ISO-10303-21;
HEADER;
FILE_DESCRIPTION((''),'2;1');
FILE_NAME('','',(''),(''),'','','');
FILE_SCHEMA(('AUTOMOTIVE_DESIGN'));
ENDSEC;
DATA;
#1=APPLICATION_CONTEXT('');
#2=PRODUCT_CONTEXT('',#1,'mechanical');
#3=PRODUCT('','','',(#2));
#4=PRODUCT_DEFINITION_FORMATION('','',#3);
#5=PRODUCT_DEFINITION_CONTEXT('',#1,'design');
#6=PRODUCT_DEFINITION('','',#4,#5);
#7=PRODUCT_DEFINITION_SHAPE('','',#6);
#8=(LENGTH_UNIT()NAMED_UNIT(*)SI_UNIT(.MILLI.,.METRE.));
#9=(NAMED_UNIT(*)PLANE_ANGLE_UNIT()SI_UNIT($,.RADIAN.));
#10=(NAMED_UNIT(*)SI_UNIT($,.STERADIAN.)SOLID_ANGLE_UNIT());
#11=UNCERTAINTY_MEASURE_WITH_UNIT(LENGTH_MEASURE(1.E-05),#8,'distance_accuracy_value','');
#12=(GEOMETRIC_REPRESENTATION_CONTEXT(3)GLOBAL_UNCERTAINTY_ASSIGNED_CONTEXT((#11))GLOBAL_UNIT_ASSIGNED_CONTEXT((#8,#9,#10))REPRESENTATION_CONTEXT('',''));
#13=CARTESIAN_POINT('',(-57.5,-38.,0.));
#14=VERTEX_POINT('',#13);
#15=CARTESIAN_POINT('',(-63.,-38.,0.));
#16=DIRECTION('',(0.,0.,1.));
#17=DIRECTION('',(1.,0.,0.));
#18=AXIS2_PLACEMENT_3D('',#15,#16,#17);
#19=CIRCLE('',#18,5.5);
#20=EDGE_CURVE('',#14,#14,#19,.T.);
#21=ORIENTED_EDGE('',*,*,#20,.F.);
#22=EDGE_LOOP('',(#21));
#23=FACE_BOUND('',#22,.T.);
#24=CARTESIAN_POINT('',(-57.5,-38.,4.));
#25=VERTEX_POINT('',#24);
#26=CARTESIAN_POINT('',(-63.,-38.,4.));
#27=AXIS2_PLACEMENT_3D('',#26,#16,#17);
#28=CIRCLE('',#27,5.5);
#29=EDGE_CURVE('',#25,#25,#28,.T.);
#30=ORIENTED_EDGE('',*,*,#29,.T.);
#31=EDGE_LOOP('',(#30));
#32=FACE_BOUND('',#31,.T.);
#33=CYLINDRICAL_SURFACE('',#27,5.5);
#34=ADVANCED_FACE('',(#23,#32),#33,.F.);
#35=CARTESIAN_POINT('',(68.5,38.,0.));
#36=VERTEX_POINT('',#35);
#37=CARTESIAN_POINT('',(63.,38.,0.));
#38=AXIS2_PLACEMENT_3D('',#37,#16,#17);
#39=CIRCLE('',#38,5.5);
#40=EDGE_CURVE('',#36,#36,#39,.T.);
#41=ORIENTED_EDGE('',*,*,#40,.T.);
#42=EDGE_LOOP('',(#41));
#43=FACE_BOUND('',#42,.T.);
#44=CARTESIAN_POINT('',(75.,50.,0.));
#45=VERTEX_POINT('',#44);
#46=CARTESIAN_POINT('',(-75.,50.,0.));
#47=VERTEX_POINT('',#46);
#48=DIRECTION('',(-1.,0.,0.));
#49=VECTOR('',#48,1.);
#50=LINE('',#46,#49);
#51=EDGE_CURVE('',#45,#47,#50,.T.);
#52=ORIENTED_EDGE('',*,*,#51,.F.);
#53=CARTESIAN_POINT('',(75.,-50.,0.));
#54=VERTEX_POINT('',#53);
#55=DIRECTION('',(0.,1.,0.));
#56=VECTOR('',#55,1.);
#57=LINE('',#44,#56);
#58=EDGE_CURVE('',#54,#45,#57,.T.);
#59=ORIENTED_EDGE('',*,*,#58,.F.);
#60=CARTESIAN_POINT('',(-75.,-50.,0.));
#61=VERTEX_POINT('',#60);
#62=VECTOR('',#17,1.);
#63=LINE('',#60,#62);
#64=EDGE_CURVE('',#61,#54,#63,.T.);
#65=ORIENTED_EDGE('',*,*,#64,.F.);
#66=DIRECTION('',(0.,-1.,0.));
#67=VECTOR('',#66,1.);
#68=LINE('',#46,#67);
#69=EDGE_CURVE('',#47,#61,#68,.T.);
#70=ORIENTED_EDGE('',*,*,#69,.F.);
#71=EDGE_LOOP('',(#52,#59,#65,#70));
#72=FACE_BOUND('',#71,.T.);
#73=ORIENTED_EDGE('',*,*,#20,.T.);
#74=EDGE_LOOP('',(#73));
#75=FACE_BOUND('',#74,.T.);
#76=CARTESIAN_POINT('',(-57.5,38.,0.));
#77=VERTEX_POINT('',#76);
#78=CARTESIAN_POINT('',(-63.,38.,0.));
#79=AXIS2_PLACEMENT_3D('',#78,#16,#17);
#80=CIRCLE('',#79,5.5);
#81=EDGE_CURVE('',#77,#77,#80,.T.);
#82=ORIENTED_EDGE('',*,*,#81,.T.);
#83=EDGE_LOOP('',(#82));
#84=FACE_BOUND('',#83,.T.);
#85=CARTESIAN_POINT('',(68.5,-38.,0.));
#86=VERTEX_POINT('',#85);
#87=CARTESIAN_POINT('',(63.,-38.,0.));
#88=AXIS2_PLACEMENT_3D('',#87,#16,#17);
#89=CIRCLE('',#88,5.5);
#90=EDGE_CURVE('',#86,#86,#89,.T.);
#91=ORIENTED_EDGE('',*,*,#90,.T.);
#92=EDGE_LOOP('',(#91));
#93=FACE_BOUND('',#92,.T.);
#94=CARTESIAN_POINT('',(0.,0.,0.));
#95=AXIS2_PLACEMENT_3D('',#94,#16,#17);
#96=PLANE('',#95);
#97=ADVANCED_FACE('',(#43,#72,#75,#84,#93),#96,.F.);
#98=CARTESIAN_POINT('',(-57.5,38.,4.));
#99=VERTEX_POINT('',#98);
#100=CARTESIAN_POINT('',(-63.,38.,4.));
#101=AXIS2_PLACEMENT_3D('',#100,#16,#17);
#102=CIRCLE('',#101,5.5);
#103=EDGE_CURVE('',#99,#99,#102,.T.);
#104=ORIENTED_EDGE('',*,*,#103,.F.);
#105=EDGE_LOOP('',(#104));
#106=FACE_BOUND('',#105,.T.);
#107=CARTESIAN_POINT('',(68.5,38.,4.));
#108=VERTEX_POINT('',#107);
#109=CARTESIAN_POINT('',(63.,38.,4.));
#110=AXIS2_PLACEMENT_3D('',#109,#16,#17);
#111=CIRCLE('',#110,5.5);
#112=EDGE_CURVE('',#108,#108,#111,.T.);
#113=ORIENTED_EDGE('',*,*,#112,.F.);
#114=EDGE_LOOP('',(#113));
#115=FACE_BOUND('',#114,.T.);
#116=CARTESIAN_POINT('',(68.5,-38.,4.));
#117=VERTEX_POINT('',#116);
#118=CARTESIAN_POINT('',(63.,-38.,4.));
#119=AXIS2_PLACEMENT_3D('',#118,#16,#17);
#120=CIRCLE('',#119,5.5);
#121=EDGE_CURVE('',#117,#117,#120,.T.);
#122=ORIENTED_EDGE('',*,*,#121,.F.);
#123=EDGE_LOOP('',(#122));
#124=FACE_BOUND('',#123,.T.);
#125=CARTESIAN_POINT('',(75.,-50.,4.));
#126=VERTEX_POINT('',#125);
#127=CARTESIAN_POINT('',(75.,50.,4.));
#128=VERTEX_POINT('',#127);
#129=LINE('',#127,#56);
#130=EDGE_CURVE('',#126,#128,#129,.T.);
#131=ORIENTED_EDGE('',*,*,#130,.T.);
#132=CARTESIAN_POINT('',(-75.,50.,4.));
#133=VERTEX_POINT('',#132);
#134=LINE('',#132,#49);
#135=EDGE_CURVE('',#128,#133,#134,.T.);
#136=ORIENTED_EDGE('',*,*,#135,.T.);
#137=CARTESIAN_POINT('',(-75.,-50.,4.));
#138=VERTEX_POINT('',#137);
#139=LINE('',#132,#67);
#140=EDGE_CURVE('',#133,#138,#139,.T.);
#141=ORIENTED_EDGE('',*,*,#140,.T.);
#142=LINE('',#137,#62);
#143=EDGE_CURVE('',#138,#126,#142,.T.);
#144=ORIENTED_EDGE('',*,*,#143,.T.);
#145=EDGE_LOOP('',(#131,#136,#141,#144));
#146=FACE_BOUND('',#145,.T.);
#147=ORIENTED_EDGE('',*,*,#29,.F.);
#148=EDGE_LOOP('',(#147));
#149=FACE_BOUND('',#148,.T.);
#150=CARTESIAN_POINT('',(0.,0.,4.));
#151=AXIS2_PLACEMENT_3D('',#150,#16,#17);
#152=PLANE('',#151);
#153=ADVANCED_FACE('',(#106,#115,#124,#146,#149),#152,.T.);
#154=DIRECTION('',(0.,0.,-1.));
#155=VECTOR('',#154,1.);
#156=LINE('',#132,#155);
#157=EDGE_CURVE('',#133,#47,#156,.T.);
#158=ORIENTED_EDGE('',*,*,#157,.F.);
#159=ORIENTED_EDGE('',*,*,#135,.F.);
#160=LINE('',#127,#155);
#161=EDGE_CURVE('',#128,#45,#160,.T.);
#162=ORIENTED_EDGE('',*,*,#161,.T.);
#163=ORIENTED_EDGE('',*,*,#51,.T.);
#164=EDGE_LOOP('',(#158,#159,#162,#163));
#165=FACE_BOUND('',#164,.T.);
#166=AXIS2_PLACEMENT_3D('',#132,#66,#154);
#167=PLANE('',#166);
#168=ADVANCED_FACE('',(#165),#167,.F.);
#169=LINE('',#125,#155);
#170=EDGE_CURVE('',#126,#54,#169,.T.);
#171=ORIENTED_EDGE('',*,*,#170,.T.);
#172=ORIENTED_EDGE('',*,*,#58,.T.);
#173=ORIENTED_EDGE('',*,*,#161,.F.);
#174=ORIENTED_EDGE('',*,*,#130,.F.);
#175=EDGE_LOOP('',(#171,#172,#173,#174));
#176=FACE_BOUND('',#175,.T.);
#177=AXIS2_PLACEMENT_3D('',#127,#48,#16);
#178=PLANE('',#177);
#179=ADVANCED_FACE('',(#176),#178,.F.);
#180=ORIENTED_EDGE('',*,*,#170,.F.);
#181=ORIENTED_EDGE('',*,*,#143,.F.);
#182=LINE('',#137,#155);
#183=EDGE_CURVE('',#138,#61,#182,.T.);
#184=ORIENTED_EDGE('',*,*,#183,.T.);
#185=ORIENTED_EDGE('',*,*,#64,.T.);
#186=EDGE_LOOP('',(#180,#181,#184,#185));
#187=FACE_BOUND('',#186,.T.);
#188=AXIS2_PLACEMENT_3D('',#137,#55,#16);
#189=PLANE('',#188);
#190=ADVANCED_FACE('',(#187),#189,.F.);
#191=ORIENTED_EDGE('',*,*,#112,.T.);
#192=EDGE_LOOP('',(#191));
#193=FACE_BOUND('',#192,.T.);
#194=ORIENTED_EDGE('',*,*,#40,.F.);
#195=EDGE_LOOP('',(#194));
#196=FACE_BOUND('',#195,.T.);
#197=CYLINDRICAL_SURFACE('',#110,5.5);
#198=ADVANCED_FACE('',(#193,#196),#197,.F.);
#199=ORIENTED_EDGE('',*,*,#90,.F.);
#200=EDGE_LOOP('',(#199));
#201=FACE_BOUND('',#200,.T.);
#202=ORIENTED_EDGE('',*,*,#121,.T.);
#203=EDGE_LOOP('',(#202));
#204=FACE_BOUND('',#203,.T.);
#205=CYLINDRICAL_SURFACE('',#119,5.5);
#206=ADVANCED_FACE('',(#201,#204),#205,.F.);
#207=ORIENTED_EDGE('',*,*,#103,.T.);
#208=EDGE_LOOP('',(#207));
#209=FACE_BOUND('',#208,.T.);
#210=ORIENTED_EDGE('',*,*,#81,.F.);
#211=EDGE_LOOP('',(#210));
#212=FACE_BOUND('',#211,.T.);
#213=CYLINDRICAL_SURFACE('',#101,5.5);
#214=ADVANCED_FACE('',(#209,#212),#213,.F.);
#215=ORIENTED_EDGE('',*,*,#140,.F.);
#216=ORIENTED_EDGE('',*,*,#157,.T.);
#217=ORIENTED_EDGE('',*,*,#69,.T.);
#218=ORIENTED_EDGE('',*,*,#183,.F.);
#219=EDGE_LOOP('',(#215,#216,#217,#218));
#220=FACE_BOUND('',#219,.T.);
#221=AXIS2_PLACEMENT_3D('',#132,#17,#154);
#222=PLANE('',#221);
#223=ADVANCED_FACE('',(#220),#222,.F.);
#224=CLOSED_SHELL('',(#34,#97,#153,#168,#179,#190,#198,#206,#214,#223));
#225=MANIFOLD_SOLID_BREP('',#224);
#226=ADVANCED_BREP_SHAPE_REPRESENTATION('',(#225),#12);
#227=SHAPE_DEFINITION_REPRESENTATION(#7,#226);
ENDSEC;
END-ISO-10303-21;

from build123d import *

# Parameters (mm, degrees)
SZKIC1_W                             = 150
SZKIC1_H                             = 100
DODANIE_WYCI_GNI_CIE1_DEPTH          = 4
OTW_R_POD_RUB_M101_D                 = 11
LUSTRO1_AT_THE_SECOND_PLANE_COPY_1_D = 11


with BuildPart() as part:
    # Szkic1 → Dodanie-wyciągnięcie1 (new body)
    with BuildSketch(Plane.XY):
        Rectangle(SZKIC1_W, SZKIC1_H)
    extrude(amount=DODANIE_WYCI_GNI_CIE1_DEPTH)

    # Otwór pod śrubę M101 (through all)
    with Locations(Plane.XY.offset(4)):
        with Locations((-63, 38)):
            otw_r_pod_rub_m101 = Hole(OTW_R_POD_RUB_M101_D / 2)

    # Lustro1: Otwór pod śrubę M101 across plane
    add(otw_r_pod_rub_m101.mirror(Plane.ZX), mode=Mode.SUBTRACT)

    # Lustro1 at the second plane: Otwór pod śrubę M101 across plane
    add(otw_r_pod_rub_m101.mirror(Plane(origin=(0, 0, 0), x_dir=(0, 0, 1), z_dir=(1, 0, 0))), mode=Mode.SUBTRACT)

    # Lustro1 at the second plane copy 1 (through all)
    with Locations(Plane(origin=(0, 0, 4), x_dir=(-1, 0, 0), z_dir=(0, 0, 1))):
        with Locations((-63, 38)):
            Hole(LUSTRO1_AT_THE_SECOND_PLANE_COPY_1_D / 2)


solid = part.part
